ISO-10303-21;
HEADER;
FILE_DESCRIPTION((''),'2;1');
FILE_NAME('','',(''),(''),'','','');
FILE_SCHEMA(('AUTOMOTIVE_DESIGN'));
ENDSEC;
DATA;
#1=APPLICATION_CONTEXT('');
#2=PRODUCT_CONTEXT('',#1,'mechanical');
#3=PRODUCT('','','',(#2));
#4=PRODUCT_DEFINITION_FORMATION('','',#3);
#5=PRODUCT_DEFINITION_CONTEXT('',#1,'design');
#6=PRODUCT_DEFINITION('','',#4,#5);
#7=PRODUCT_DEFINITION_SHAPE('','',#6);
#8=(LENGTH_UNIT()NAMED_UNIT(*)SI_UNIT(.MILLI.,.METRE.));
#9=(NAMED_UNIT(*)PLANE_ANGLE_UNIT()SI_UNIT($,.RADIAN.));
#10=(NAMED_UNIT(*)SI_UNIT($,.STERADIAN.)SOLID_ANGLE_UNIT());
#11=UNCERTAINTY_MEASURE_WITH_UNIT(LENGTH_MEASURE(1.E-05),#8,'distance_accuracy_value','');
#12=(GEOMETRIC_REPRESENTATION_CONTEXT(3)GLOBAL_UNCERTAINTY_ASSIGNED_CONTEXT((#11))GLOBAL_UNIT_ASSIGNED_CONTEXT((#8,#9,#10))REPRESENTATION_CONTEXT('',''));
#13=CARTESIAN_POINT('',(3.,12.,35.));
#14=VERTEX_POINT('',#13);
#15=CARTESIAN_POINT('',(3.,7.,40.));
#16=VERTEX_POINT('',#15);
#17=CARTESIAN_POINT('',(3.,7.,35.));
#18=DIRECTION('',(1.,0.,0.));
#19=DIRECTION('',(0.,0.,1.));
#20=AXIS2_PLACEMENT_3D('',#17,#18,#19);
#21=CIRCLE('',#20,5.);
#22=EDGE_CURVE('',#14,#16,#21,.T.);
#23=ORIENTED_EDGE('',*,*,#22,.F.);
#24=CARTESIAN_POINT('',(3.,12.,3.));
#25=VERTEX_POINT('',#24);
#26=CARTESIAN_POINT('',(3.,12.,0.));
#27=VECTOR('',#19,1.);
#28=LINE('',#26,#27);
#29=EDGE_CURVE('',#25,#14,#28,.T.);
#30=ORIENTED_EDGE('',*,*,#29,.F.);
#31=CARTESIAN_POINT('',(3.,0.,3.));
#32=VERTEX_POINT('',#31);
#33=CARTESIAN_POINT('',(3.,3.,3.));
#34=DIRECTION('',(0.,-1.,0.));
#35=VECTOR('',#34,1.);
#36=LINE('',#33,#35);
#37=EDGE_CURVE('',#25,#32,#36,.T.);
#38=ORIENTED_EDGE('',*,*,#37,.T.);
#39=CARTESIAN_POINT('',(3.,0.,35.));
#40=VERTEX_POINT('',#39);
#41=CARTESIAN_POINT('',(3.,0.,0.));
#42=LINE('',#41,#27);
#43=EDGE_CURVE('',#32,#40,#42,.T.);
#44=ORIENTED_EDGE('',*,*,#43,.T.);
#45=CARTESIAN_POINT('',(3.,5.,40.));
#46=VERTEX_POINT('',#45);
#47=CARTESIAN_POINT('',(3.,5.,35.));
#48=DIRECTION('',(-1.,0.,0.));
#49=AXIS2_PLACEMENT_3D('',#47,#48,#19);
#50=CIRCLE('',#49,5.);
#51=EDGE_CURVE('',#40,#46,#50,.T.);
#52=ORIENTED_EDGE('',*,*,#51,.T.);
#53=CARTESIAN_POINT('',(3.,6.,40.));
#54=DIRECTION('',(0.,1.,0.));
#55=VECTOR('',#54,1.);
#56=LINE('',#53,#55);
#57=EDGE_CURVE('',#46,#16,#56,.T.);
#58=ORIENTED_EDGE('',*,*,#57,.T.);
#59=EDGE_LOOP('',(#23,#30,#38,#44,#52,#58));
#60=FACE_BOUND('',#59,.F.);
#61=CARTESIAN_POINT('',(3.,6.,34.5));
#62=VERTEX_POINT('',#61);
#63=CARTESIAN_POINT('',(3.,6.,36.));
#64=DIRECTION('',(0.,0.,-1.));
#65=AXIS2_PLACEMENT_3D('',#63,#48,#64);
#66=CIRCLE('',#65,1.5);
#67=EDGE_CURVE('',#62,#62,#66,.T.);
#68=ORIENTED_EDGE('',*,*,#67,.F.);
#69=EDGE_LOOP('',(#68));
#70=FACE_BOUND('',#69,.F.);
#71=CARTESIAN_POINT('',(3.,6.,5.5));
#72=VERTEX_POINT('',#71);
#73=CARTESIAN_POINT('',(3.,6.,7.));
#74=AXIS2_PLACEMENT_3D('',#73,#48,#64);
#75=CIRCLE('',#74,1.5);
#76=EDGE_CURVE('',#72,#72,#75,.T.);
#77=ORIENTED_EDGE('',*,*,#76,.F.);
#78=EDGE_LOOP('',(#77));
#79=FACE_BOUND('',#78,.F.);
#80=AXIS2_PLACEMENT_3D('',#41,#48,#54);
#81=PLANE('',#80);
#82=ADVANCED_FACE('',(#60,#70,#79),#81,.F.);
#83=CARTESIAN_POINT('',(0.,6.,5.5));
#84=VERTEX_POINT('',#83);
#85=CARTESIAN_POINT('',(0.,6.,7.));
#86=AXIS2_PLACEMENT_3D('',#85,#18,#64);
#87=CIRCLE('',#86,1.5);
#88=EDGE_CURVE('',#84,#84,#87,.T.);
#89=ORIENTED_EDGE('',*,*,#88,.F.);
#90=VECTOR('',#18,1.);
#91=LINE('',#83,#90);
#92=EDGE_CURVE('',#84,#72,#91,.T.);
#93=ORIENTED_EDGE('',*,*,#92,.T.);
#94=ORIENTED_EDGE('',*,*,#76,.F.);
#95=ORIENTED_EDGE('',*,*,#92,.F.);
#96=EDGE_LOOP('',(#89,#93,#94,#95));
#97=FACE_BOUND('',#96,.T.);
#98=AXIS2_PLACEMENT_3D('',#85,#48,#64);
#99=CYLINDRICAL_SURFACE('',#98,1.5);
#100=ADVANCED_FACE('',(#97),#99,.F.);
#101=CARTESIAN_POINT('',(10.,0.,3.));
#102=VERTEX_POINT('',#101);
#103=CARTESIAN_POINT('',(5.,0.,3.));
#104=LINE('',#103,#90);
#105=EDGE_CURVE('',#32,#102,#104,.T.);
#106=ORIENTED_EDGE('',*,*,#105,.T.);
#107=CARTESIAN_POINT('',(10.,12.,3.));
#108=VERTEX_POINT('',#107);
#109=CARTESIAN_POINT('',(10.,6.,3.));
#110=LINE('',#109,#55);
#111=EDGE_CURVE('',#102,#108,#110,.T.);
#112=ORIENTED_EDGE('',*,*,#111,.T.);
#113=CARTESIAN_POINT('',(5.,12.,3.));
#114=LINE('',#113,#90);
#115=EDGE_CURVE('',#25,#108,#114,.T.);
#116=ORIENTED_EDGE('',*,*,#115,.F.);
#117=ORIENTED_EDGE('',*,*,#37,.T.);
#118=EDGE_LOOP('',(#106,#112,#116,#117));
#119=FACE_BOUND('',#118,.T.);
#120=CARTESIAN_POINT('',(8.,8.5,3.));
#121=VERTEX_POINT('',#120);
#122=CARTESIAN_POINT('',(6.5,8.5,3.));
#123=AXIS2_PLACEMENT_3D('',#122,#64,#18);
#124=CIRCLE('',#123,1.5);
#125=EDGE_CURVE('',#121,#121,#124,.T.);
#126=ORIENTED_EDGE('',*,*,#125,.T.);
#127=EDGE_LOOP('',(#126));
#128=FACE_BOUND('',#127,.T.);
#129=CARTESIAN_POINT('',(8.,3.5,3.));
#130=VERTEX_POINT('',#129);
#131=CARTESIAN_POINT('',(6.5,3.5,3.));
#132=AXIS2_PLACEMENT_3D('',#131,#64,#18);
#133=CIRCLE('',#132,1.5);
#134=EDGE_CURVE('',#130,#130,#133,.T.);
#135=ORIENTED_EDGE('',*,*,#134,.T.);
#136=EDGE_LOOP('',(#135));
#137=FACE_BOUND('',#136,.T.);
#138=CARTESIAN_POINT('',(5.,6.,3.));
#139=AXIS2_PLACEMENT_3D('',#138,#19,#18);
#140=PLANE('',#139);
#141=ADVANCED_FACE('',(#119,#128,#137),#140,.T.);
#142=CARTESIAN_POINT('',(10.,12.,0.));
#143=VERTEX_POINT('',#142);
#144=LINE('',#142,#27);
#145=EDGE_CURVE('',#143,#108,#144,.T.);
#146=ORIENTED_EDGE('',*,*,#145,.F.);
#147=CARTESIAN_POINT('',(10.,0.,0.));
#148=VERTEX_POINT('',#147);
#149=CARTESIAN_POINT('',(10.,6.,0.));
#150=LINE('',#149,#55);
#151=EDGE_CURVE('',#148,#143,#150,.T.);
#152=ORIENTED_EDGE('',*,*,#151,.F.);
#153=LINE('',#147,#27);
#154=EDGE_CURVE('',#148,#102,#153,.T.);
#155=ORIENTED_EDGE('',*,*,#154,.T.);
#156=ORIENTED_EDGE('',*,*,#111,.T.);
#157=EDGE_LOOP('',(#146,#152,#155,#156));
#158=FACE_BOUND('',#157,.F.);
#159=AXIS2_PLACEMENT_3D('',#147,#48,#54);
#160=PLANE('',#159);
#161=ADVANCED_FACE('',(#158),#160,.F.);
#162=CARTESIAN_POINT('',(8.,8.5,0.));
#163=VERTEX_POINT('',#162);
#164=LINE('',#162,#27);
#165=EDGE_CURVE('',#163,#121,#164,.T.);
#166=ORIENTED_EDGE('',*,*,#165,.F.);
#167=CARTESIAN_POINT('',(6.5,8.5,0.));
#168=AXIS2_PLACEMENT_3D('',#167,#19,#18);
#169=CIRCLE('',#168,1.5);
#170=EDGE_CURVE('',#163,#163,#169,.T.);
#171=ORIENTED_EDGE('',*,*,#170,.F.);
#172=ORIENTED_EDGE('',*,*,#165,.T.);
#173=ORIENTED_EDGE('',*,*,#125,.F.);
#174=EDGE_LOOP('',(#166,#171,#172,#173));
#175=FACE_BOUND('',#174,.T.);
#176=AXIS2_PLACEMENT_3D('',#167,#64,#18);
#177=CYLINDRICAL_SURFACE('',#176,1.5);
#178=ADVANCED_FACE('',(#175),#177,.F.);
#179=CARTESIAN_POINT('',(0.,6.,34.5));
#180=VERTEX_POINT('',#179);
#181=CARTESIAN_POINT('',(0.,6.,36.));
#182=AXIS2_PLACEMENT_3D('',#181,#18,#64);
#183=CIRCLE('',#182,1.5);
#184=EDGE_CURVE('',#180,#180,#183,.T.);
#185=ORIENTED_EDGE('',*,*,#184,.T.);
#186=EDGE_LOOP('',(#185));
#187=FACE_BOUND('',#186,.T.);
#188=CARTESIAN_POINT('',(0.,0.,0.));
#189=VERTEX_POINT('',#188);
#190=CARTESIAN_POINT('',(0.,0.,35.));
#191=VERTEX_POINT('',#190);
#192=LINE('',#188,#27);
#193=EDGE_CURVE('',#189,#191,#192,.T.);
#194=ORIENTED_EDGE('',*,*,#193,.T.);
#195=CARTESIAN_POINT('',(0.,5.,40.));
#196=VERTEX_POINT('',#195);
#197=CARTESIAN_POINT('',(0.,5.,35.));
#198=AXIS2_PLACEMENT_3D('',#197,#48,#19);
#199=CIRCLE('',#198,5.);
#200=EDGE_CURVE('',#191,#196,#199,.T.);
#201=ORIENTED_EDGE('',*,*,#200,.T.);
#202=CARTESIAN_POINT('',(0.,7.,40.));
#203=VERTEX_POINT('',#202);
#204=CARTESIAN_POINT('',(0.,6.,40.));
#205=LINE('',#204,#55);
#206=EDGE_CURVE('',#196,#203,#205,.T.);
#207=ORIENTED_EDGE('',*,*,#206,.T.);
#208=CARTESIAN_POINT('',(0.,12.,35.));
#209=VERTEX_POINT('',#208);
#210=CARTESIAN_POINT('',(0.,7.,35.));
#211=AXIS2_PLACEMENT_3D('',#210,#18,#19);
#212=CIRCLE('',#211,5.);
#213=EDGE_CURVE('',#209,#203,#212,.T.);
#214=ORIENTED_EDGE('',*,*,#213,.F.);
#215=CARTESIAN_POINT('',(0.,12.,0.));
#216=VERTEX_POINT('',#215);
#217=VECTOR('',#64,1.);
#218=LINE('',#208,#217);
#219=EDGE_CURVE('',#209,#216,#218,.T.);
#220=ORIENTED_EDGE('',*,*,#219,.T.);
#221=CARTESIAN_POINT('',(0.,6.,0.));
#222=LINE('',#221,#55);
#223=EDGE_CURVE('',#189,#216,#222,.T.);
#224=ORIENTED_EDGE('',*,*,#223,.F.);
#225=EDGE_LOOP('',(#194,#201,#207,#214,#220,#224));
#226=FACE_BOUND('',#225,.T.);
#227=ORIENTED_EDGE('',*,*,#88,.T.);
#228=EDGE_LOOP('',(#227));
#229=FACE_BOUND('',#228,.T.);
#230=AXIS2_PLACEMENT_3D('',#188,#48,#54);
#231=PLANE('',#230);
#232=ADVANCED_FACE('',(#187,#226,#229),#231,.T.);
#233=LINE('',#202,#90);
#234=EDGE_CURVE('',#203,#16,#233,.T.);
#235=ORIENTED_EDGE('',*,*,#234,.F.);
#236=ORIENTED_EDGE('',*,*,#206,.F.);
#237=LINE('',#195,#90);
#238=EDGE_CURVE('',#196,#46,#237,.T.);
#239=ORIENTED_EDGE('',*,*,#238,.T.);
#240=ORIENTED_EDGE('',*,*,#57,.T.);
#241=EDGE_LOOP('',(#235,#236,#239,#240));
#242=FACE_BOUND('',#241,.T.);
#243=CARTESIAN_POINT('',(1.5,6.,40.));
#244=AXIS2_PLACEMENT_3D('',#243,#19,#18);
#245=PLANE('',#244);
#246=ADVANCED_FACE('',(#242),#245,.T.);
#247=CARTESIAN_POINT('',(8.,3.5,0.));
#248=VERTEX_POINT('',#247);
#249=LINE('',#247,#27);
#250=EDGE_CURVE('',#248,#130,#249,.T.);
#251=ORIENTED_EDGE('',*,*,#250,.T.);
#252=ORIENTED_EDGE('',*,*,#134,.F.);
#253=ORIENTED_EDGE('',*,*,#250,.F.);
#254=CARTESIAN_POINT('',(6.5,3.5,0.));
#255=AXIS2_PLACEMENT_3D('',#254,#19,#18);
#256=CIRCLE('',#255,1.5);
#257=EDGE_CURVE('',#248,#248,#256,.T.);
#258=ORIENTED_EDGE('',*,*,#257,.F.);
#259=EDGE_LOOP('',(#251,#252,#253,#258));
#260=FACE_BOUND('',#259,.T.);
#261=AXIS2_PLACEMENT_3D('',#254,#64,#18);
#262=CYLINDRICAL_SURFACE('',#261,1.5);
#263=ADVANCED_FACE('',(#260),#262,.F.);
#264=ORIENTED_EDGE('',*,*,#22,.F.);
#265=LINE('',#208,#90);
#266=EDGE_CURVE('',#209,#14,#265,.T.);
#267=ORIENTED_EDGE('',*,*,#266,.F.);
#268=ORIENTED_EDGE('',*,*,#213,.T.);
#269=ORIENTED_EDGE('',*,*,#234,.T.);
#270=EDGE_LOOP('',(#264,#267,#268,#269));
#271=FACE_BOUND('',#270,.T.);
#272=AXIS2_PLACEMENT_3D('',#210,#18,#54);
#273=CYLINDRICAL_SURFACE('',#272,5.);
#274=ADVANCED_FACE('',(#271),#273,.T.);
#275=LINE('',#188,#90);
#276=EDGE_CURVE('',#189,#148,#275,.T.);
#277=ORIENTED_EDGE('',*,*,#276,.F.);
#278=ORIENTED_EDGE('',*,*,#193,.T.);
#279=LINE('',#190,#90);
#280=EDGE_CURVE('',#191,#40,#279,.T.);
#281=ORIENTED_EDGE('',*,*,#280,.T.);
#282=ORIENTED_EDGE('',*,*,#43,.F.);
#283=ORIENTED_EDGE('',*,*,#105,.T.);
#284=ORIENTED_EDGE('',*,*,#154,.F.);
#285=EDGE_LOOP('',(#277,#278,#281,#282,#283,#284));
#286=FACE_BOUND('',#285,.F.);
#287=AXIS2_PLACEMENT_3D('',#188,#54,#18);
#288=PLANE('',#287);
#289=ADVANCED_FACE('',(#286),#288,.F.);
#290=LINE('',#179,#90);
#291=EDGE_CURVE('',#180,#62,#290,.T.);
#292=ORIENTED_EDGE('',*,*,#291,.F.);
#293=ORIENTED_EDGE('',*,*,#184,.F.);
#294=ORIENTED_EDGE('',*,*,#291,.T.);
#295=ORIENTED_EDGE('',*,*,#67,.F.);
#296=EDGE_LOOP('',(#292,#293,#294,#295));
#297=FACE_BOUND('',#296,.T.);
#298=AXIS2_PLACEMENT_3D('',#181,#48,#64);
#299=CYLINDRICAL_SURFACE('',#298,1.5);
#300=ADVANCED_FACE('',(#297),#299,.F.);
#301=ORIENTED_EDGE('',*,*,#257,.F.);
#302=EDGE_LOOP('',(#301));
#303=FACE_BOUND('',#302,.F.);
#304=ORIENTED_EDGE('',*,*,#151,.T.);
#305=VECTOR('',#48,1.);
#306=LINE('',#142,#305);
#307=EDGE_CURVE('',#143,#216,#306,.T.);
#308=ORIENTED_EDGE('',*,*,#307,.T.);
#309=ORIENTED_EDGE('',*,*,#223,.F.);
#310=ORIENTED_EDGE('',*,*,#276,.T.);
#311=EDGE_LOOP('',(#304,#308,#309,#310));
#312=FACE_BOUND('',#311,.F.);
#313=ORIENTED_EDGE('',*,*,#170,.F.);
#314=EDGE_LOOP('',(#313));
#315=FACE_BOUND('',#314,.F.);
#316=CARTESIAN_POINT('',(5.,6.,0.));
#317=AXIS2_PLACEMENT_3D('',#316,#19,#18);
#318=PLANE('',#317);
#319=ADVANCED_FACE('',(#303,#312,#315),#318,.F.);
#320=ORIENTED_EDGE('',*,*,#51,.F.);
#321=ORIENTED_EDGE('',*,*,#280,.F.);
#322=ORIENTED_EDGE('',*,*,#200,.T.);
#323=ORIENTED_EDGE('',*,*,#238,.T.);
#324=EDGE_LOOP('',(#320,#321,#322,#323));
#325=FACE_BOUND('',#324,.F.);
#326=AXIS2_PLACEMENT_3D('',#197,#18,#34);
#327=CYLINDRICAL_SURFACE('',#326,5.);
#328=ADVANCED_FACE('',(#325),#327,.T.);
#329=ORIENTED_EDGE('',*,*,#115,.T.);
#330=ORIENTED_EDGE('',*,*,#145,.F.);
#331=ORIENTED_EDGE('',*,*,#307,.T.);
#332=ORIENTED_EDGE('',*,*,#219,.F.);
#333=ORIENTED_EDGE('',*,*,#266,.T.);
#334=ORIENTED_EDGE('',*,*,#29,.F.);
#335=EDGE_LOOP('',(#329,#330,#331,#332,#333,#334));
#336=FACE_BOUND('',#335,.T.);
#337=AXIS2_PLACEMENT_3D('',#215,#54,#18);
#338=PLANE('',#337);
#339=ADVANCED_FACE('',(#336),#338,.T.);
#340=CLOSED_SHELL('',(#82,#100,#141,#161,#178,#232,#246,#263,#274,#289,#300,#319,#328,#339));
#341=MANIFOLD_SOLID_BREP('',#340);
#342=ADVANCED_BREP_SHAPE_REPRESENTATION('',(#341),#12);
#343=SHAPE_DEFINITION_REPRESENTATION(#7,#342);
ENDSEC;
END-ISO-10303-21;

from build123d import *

# Parameters (mm, degrees)
CYLINDER003_R           = 1.5
CYLINDER003_DEPTH       = 10
CYLINDER003_PITCH_ANGLE = 90
CYLINDER002_R           = 1.5
CYLINDER002_DEPTH       = 10
CYLINDER002_PITCH_ANGLE = 90
BOX001_W                = 3
BOX001_H                = 12
BOX001_DEPTH            = 40
FILLET_R                = 5
CYLINDER001_R           = 1.5
CYLINDER001_DEPTH       = 10
CYLINDER_R              = 1.5
CYLINDER_DEPTH          = 10
BOX_W                   = 10
BOX_H                   = 12
BOX_DEPTH               = 3


with BuildPart() as cylinder003:
    # Cylinder003 → Cylinder003 (new body)
    with BuildSketch(Plane.XY):
        Circle(CYLINDER003_R)
    extrude(amount=CYLINDER003_DEPTH)


with BuildPart() as cylinder003_1:
    # Cylinder003 pitch: moved
    add(cylinder003.part.rotate(Axis((0, 0, 0), (0, 1, 0)), CYLINDER003_PITCH_ANGLE))


with BuildPart() as cylinder003_2:
    # Cylinder003 placement: moved
    add(cylinder003_1.part.moved(Location((0, 6, 36))))


with BuildPart() as cylinder002:
    # Cylinder002 → Cylinder002 (new body)
    with BuildSketch(Plane.XY):
        Circle(CYLINDER002_R)
    extrude(amount=CYLINDER002_DEPTH)


with BuildPart() as cylinder002_1:
    # Cylinder002 pitch: moved
    add(cylinder002.part.rotate(Axis((0, 0, 0), (0, 1, 0)), CYLINDER002_PITCH_ANGLE))


with BuildPart() as cylinder002_2:
    # Cylinder002 placement: moved
    add(cylinder002_1.part.moved(Location((0, 6, 7))))


with BuildPart() as cut003:
    # Box001 → Box001 (new body)
    with BuildSketch(Plane.XY):
        with Locations((1.5, 6)):
            Rectangle(BOX001_W, BOX001_H)
    extrude(amount=BOX001_DEPTH)

    # Fillet
    fillet_edges = [cut003.edges().sort_by_distance(p)[0] for p in [
        (1.5, 0, 40),
        (1.5, 12, 40),
    ]]
    fillet(fillet_edges, radius=FILLET_R)

    # Cut002: cut Cylinder002
    add(cylinder002_2.part, mode=Mode.SUBTRACT)

    # Cut003: cut Cylinder003
    add(cylinder003_2.part, mode=Mode.SUBTRACT)


with BuildPart() as cylinder001:
    # Cylinder001 → Cylinder001 (new body)
    with BuildSketch(Plane(origin=(6.5, 8.5, 0), x_dir=(1, 0, 0), z_dir=(0, 0, 1))):
        Circle(CYLINDER001_R)
    extrude(amount=CYLINDER001_DEPTH)


with BuildPart() as cylinder:
    # Cylinder → Cylinder (new body)
    with BuildSketch(Plane(origin=(6.5, 3.5, 0), x_dir=(1, 0, 0), z_dir=(0, 0, 1))):
        Circle(CYLINDER_R)
    extrude(amount=CYLINDER_DEPTH)


with BuildPart() as fusion:
    # Box → Box (new body)
    with BuildSketch(Plane.XY):
        with Locations((5, 6)):
            Rectangle(BOX_W, BOX_H)
    extrude(amount=BOX_DEPTH)

    # Cut: cut Cylinder
    add(cylinder.part, mode=Mode.SUBTRACT)

    # Cut001: cut Cylinder001
    add(cylinder001.part, mode=Mode.SUBTRACT)

    # Fusion: union Cut003
    add(cut003.part)


solid = fusion.part
